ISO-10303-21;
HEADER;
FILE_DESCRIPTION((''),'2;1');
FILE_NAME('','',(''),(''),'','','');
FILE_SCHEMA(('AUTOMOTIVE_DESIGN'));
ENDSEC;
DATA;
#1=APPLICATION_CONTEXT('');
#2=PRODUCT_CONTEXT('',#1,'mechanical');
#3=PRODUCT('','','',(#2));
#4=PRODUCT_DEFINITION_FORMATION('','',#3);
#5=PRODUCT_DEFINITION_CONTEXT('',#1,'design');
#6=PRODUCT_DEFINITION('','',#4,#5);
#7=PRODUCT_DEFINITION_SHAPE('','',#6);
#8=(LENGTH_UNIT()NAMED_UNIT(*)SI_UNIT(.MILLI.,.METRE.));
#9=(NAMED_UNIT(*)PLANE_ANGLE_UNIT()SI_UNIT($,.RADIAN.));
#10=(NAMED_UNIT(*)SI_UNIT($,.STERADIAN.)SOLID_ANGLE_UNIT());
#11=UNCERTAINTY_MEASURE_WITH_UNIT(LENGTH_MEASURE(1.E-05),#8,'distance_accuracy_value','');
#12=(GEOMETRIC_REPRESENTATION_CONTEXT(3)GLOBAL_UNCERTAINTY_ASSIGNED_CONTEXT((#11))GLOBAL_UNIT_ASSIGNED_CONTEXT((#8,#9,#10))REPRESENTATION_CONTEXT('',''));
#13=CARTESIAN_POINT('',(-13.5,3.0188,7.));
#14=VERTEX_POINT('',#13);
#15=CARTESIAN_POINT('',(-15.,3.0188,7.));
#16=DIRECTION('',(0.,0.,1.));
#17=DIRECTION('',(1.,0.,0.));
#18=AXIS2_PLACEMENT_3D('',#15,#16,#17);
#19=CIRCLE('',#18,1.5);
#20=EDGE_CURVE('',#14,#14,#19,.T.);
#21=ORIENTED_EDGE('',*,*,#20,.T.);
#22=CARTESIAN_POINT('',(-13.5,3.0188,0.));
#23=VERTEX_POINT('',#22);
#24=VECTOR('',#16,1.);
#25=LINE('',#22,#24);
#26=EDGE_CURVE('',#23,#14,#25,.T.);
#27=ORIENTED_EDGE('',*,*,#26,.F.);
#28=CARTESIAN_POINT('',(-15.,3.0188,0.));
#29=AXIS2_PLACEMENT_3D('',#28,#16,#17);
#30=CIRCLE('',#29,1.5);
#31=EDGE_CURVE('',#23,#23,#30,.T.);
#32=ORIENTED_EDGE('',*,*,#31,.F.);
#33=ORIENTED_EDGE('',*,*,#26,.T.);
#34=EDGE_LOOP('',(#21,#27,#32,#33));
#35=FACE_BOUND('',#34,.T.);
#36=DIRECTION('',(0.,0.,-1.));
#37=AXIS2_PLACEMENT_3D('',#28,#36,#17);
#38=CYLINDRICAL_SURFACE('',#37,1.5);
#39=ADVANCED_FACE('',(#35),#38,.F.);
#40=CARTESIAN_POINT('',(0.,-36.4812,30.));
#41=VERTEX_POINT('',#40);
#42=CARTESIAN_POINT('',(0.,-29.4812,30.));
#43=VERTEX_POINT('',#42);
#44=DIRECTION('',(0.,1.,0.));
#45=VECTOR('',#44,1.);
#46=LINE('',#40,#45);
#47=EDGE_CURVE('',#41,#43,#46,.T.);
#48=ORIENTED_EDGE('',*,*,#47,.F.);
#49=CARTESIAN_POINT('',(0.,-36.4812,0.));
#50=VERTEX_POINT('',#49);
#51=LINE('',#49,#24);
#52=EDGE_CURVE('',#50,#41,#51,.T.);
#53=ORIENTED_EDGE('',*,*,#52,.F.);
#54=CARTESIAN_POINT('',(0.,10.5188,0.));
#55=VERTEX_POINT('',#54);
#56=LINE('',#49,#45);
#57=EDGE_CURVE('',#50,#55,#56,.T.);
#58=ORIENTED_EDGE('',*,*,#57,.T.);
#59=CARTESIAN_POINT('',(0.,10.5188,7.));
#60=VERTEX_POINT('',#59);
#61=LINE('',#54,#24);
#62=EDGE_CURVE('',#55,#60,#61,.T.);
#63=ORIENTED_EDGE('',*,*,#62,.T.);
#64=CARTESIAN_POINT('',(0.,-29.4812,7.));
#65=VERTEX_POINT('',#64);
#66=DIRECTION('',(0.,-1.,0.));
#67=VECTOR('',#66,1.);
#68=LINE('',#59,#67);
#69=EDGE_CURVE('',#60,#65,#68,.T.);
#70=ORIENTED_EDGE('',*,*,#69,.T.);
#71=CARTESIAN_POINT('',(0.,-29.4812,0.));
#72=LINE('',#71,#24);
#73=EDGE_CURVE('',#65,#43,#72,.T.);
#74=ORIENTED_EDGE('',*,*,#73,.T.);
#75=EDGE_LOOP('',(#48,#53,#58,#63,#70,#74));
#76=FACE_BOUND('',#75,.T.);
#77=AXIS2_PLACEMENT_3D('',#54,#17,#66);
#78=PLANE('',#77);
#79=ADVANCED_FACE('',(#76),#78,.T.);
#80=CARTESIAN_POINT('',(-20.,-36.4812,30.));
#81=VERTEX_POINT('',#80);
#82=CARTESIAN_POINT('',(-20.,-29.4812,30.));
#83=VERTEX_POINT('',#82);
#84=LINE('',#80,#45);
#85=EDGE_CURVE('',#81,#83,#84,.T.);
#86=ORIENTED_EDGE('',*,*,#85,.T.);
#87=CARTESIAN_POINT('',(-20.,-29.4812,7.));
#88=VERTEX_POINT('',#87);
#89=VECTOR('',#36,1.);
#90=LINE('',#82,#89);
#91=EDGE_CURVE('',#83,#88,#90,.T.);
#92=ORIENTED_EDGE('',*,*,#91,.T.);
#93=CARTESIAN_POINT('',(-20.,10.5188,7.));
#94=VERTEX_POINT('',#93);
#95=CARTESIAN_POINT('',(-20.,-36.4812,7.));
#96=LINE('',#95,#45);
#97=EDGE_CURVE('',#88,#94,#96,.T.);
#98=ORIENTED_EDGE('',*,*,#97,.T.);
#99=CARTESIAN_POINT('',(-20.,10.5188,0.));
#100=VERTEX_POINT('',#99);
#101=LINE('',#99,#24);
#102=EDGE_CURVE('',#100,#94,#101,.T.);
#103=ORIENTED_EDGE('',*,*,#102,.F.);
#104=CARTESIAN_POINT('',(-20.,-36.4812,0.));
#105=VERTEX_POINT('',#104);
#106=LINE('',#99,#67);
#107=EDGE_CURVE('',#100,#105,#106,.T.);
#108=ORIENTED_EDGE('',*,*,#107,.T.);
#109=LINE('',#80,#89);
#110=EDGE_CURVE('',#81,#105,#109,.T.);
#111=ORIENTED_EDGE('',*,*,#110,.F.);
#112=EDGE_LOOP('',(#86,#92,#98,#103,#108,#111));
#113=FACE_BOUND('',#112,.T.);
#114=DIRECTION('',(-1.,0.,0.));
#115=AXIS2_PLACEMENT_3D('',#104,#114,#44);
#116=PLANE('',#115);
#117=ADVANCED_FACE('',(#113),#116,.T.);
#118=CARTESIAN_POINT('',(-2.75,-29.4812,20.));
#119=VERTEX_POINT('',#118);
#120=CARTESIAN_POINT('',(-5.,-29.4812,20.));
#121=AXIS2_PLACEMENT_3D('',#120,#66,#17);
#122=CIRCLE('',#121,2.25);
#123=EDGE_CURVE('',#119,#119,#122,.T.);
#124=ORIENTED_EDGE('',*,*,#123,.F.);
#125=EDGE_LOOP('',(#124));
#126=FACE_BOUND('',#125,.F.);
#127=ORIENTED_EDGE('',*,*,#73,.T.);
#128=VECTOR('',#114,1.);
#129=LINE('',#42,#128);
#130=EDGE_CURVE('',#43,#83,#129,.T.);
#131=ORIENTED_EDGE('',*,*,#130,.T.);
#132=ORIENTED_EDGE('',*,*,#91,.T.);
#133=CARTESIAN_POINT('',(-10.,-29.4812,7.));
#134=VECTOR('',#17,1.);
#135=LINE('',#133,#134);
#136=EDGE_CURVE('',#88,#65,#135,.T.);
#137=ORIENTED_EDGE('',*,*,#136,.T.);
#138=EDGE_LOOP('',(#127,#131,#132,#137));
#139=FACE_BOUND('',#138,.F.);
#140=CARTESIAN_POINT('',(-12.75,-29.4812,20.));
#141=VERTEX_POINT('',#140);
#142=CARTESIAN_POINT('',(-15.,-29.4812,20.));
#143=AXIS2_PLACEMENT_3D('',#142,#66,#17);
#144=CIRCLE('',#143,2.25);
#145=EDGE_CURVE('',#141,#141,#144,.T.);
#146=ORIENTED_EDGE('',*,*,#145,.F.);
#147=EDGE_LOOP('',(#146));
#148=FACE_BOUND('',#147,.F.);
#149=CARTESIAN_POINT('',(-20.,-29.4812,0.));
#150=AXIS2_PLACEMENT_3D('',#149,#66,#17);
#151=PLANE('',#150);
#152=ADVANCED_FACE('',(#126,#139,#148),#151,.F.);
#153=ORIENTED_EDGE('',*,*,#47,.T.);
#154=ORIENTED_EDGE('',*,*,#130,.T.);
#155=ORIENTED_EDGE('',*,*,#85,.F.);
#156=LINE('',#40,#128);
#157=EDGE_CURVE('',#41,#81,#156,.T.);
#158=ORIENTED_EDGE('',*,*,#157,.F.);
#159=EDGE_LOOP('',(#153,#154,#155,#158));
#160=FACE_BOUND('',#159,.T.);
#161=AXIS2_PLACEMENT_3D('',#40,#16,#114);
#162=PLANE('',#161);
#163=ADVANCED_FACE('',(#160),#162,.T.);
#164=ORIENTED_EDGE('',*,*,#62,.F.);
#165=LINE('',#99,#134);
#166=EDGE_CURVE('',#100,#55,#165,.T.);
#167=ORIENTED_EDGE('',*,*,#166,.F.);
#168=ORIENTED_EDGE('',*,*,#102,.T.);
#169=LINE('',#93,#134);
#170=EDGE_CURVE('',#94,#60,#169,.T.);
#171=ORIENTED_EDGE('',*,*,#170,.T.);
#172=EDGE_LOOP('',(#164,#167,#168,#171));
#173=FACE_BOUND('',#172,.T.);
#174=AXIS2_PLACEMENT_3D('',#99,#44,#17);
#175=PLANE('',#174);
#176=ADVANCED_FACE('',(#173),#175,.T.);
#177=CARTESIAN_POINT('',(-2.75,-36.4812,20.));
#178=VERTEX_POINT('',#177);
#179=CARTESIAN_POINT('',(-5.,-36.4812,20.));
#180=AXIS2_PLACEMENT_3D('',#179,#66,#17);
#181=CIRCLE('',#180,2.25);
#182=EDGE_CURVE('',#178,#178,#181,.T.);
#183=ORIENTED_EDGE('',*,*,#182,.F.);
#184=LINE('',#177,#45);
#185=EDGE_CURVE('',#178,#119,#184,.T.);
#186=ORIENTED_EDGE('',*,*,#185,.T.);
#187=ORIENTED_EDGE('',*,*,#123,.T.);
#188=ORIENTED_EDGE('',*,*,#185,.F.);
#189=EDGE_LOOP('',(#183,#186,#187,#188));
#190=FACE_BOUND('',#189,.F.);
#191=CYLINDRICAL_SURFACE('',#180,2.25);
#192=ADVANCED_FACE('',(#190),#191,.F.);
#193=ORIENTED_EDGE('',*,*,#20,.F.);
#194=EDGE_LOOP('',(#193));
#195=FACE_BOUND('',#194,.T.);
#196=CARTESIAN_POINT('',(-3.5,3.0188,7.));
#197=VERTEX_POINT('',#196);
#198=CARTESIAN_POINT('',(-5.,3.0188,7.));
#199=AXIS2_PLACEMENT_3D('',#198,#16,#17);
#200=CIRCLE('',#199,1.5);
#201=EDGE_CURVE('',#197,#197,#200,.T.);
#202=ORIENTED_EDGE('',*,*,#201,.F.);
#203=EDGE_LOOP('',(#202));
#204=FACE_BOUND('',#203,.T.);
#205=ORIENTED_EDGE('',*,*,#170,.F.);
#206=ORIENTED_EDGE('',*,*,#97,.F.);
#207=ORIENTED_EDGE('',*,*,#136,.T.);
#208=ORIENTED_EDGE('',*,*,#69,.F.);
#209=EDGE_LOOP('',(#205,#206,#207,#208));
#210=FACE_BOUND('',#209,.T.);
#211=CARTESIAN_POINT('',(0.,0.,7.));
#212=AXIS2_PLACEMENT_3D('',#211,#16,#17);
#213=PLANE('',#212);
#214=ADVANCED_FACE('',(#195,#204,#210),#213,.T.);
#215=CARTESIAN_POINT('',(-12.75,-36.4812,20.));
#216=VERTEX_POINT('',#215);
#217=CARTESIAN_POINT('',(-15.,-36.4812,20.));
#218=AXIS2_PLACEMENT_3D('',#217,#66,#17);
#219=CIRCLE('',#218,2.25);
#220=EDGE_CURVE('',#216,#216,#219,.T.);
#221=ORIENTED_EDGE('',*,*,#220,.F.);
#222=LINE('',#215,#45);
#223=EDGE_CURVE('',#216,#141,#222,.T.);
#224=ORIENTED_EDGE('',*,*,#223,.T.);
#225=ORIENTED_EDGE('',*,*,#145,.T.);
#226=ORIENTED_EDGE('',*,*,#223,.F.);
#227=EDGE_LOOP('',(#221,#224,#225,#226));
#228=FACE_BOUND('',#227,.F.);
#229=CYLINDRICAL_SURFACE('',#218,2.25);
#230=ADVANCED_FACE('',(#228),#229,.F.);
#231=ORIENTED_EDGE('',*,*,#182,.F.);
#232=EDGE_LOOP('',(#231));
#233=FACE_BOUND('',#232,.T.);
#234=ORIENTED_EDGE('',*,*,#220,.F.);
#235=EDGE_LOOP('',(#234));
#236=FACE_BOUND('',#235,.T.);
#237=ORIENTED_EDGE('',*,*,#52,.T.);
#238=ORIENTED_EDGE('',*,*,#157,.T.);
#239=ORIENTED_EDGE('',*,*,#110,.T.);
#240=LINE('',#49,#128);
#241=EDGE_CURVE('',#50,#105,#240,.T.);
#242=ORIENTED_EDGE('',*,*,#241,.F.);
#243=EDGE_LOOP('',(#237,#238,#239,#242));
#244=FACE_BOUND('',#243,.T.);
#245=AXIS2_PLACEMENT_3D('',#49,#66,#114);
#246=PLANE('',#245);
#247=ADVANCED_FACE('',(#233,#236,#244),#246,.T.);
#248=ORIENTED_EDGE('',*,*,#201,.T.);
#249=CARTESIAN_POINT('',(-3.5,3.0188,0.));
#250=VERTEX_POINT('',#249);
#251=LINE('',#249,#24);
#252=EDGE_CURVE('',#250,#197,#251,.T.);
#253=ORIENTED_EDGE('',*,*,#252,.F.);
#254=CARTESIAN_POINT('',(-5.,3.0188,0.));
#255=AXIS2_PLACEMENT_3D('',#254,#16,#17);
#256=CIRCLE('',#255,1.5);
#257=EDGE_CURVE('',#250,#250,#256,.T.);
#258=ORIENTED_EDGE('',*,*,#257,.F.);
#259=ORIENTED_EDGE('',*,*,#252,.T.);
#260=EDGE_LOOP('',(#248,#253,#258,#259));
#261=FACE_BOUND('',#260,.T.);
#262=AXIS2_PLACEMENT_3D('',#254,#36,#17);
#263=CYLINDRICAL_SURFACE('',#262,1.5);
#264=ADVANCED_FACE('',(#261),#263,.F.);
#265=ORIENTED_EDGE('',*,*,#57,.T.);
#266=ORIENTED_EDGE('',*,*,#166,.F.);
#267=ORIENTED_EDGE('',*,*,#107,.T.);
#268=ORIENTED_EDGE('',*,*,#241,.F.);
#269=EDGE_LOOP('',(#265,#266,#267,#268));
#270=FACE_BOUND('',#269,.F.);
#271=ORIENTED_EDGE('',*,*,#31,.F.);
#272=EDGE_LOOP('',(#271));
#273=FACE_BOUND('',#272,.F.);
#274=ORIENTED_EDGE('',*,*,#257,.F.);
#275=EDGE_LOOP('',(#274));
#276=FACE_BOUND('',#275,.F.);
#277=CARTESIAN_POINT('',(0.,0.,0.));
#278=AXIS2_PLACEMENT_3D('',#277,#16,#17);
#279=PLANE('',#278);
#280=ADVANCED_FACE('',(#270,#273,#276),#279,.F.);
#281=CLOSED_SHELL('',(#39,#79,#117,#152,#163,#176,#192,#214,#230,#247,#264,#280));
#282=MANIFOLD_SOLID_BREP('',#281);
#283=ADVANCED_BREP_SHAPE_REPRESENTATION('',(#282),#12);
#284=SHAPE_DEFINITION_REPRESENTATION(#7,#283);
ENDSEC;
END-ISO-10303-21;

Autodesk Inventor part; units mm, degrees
ref_plane "YZ Plane" through (0, 0, 0) normal (1, 0, 0) x (0, 1, 0)
ref_plane "XZ Plane" through (0, 0, 0) normal (0, 1, 0) x (-1, 0, 0)
ref_plane "XY Plane" through (0, 0, 0) normal (0, 0, 1) x (1, 0, 0)
sketch "Sketch1" plane through (0, 0, 0) normal (0, 0, 1) x (1, 0, 0)
  circle A0 centre (-5, 3.0188) radius 1.5
  circle A1 centre (-15, 3.0188) radius 1.5
  line L0 (0, -36.4812) -> (-20, -36.4812)
  line L1 (-20, -36.4812) -> (-20, 10.5188)
  line L2 (-20, 10.5188) -> (0, 10.5188)
  line L3 (0, 10.5188) -> (0, -36.4812)
  dimension "d0" = 3
  dimension "d1" = 3
  dimension "d2" = 10
  dimension "d3" = 20
  dimension "d4" = 7.5
  dimension "d5" = 7.5
  dimension "d6" = 5
  dimension "d7" = 47
extrude "Extrusion1" add sketch "Sketch1" along normal blind 7
sketch "Sketch2" plane through (-20, -36.4812, 0) normal (0, -1, 0) x (1, 0, 0)
  line L0 (0, 0) -> (0, 7) projected
  line L1 (0, 0) -> (20, 0)
  line L2 (20, 0) -> (20, 30)
  line L3 (20, 30) -> (0, 30)
  line L4 (0, 30) -> (0, 0)
  circle A0 centre (15, 20) radius 2.25
  circle A1 centre (5, 20) radius 2.25
  dimension "d10" = 30
  dimension "d11" = 4.5
  dimension "d12" = 4.5
  dimension "d13" = 10
  dimension "d14" = 5
  dimension "d15" = 10
extrude "Extrusion2" add sketch "Sketch2" against normal blind 7
equation "\"d5\" = d4"
equation "\"d12\" = d11"
properties part number "EndSwitchBracket"
